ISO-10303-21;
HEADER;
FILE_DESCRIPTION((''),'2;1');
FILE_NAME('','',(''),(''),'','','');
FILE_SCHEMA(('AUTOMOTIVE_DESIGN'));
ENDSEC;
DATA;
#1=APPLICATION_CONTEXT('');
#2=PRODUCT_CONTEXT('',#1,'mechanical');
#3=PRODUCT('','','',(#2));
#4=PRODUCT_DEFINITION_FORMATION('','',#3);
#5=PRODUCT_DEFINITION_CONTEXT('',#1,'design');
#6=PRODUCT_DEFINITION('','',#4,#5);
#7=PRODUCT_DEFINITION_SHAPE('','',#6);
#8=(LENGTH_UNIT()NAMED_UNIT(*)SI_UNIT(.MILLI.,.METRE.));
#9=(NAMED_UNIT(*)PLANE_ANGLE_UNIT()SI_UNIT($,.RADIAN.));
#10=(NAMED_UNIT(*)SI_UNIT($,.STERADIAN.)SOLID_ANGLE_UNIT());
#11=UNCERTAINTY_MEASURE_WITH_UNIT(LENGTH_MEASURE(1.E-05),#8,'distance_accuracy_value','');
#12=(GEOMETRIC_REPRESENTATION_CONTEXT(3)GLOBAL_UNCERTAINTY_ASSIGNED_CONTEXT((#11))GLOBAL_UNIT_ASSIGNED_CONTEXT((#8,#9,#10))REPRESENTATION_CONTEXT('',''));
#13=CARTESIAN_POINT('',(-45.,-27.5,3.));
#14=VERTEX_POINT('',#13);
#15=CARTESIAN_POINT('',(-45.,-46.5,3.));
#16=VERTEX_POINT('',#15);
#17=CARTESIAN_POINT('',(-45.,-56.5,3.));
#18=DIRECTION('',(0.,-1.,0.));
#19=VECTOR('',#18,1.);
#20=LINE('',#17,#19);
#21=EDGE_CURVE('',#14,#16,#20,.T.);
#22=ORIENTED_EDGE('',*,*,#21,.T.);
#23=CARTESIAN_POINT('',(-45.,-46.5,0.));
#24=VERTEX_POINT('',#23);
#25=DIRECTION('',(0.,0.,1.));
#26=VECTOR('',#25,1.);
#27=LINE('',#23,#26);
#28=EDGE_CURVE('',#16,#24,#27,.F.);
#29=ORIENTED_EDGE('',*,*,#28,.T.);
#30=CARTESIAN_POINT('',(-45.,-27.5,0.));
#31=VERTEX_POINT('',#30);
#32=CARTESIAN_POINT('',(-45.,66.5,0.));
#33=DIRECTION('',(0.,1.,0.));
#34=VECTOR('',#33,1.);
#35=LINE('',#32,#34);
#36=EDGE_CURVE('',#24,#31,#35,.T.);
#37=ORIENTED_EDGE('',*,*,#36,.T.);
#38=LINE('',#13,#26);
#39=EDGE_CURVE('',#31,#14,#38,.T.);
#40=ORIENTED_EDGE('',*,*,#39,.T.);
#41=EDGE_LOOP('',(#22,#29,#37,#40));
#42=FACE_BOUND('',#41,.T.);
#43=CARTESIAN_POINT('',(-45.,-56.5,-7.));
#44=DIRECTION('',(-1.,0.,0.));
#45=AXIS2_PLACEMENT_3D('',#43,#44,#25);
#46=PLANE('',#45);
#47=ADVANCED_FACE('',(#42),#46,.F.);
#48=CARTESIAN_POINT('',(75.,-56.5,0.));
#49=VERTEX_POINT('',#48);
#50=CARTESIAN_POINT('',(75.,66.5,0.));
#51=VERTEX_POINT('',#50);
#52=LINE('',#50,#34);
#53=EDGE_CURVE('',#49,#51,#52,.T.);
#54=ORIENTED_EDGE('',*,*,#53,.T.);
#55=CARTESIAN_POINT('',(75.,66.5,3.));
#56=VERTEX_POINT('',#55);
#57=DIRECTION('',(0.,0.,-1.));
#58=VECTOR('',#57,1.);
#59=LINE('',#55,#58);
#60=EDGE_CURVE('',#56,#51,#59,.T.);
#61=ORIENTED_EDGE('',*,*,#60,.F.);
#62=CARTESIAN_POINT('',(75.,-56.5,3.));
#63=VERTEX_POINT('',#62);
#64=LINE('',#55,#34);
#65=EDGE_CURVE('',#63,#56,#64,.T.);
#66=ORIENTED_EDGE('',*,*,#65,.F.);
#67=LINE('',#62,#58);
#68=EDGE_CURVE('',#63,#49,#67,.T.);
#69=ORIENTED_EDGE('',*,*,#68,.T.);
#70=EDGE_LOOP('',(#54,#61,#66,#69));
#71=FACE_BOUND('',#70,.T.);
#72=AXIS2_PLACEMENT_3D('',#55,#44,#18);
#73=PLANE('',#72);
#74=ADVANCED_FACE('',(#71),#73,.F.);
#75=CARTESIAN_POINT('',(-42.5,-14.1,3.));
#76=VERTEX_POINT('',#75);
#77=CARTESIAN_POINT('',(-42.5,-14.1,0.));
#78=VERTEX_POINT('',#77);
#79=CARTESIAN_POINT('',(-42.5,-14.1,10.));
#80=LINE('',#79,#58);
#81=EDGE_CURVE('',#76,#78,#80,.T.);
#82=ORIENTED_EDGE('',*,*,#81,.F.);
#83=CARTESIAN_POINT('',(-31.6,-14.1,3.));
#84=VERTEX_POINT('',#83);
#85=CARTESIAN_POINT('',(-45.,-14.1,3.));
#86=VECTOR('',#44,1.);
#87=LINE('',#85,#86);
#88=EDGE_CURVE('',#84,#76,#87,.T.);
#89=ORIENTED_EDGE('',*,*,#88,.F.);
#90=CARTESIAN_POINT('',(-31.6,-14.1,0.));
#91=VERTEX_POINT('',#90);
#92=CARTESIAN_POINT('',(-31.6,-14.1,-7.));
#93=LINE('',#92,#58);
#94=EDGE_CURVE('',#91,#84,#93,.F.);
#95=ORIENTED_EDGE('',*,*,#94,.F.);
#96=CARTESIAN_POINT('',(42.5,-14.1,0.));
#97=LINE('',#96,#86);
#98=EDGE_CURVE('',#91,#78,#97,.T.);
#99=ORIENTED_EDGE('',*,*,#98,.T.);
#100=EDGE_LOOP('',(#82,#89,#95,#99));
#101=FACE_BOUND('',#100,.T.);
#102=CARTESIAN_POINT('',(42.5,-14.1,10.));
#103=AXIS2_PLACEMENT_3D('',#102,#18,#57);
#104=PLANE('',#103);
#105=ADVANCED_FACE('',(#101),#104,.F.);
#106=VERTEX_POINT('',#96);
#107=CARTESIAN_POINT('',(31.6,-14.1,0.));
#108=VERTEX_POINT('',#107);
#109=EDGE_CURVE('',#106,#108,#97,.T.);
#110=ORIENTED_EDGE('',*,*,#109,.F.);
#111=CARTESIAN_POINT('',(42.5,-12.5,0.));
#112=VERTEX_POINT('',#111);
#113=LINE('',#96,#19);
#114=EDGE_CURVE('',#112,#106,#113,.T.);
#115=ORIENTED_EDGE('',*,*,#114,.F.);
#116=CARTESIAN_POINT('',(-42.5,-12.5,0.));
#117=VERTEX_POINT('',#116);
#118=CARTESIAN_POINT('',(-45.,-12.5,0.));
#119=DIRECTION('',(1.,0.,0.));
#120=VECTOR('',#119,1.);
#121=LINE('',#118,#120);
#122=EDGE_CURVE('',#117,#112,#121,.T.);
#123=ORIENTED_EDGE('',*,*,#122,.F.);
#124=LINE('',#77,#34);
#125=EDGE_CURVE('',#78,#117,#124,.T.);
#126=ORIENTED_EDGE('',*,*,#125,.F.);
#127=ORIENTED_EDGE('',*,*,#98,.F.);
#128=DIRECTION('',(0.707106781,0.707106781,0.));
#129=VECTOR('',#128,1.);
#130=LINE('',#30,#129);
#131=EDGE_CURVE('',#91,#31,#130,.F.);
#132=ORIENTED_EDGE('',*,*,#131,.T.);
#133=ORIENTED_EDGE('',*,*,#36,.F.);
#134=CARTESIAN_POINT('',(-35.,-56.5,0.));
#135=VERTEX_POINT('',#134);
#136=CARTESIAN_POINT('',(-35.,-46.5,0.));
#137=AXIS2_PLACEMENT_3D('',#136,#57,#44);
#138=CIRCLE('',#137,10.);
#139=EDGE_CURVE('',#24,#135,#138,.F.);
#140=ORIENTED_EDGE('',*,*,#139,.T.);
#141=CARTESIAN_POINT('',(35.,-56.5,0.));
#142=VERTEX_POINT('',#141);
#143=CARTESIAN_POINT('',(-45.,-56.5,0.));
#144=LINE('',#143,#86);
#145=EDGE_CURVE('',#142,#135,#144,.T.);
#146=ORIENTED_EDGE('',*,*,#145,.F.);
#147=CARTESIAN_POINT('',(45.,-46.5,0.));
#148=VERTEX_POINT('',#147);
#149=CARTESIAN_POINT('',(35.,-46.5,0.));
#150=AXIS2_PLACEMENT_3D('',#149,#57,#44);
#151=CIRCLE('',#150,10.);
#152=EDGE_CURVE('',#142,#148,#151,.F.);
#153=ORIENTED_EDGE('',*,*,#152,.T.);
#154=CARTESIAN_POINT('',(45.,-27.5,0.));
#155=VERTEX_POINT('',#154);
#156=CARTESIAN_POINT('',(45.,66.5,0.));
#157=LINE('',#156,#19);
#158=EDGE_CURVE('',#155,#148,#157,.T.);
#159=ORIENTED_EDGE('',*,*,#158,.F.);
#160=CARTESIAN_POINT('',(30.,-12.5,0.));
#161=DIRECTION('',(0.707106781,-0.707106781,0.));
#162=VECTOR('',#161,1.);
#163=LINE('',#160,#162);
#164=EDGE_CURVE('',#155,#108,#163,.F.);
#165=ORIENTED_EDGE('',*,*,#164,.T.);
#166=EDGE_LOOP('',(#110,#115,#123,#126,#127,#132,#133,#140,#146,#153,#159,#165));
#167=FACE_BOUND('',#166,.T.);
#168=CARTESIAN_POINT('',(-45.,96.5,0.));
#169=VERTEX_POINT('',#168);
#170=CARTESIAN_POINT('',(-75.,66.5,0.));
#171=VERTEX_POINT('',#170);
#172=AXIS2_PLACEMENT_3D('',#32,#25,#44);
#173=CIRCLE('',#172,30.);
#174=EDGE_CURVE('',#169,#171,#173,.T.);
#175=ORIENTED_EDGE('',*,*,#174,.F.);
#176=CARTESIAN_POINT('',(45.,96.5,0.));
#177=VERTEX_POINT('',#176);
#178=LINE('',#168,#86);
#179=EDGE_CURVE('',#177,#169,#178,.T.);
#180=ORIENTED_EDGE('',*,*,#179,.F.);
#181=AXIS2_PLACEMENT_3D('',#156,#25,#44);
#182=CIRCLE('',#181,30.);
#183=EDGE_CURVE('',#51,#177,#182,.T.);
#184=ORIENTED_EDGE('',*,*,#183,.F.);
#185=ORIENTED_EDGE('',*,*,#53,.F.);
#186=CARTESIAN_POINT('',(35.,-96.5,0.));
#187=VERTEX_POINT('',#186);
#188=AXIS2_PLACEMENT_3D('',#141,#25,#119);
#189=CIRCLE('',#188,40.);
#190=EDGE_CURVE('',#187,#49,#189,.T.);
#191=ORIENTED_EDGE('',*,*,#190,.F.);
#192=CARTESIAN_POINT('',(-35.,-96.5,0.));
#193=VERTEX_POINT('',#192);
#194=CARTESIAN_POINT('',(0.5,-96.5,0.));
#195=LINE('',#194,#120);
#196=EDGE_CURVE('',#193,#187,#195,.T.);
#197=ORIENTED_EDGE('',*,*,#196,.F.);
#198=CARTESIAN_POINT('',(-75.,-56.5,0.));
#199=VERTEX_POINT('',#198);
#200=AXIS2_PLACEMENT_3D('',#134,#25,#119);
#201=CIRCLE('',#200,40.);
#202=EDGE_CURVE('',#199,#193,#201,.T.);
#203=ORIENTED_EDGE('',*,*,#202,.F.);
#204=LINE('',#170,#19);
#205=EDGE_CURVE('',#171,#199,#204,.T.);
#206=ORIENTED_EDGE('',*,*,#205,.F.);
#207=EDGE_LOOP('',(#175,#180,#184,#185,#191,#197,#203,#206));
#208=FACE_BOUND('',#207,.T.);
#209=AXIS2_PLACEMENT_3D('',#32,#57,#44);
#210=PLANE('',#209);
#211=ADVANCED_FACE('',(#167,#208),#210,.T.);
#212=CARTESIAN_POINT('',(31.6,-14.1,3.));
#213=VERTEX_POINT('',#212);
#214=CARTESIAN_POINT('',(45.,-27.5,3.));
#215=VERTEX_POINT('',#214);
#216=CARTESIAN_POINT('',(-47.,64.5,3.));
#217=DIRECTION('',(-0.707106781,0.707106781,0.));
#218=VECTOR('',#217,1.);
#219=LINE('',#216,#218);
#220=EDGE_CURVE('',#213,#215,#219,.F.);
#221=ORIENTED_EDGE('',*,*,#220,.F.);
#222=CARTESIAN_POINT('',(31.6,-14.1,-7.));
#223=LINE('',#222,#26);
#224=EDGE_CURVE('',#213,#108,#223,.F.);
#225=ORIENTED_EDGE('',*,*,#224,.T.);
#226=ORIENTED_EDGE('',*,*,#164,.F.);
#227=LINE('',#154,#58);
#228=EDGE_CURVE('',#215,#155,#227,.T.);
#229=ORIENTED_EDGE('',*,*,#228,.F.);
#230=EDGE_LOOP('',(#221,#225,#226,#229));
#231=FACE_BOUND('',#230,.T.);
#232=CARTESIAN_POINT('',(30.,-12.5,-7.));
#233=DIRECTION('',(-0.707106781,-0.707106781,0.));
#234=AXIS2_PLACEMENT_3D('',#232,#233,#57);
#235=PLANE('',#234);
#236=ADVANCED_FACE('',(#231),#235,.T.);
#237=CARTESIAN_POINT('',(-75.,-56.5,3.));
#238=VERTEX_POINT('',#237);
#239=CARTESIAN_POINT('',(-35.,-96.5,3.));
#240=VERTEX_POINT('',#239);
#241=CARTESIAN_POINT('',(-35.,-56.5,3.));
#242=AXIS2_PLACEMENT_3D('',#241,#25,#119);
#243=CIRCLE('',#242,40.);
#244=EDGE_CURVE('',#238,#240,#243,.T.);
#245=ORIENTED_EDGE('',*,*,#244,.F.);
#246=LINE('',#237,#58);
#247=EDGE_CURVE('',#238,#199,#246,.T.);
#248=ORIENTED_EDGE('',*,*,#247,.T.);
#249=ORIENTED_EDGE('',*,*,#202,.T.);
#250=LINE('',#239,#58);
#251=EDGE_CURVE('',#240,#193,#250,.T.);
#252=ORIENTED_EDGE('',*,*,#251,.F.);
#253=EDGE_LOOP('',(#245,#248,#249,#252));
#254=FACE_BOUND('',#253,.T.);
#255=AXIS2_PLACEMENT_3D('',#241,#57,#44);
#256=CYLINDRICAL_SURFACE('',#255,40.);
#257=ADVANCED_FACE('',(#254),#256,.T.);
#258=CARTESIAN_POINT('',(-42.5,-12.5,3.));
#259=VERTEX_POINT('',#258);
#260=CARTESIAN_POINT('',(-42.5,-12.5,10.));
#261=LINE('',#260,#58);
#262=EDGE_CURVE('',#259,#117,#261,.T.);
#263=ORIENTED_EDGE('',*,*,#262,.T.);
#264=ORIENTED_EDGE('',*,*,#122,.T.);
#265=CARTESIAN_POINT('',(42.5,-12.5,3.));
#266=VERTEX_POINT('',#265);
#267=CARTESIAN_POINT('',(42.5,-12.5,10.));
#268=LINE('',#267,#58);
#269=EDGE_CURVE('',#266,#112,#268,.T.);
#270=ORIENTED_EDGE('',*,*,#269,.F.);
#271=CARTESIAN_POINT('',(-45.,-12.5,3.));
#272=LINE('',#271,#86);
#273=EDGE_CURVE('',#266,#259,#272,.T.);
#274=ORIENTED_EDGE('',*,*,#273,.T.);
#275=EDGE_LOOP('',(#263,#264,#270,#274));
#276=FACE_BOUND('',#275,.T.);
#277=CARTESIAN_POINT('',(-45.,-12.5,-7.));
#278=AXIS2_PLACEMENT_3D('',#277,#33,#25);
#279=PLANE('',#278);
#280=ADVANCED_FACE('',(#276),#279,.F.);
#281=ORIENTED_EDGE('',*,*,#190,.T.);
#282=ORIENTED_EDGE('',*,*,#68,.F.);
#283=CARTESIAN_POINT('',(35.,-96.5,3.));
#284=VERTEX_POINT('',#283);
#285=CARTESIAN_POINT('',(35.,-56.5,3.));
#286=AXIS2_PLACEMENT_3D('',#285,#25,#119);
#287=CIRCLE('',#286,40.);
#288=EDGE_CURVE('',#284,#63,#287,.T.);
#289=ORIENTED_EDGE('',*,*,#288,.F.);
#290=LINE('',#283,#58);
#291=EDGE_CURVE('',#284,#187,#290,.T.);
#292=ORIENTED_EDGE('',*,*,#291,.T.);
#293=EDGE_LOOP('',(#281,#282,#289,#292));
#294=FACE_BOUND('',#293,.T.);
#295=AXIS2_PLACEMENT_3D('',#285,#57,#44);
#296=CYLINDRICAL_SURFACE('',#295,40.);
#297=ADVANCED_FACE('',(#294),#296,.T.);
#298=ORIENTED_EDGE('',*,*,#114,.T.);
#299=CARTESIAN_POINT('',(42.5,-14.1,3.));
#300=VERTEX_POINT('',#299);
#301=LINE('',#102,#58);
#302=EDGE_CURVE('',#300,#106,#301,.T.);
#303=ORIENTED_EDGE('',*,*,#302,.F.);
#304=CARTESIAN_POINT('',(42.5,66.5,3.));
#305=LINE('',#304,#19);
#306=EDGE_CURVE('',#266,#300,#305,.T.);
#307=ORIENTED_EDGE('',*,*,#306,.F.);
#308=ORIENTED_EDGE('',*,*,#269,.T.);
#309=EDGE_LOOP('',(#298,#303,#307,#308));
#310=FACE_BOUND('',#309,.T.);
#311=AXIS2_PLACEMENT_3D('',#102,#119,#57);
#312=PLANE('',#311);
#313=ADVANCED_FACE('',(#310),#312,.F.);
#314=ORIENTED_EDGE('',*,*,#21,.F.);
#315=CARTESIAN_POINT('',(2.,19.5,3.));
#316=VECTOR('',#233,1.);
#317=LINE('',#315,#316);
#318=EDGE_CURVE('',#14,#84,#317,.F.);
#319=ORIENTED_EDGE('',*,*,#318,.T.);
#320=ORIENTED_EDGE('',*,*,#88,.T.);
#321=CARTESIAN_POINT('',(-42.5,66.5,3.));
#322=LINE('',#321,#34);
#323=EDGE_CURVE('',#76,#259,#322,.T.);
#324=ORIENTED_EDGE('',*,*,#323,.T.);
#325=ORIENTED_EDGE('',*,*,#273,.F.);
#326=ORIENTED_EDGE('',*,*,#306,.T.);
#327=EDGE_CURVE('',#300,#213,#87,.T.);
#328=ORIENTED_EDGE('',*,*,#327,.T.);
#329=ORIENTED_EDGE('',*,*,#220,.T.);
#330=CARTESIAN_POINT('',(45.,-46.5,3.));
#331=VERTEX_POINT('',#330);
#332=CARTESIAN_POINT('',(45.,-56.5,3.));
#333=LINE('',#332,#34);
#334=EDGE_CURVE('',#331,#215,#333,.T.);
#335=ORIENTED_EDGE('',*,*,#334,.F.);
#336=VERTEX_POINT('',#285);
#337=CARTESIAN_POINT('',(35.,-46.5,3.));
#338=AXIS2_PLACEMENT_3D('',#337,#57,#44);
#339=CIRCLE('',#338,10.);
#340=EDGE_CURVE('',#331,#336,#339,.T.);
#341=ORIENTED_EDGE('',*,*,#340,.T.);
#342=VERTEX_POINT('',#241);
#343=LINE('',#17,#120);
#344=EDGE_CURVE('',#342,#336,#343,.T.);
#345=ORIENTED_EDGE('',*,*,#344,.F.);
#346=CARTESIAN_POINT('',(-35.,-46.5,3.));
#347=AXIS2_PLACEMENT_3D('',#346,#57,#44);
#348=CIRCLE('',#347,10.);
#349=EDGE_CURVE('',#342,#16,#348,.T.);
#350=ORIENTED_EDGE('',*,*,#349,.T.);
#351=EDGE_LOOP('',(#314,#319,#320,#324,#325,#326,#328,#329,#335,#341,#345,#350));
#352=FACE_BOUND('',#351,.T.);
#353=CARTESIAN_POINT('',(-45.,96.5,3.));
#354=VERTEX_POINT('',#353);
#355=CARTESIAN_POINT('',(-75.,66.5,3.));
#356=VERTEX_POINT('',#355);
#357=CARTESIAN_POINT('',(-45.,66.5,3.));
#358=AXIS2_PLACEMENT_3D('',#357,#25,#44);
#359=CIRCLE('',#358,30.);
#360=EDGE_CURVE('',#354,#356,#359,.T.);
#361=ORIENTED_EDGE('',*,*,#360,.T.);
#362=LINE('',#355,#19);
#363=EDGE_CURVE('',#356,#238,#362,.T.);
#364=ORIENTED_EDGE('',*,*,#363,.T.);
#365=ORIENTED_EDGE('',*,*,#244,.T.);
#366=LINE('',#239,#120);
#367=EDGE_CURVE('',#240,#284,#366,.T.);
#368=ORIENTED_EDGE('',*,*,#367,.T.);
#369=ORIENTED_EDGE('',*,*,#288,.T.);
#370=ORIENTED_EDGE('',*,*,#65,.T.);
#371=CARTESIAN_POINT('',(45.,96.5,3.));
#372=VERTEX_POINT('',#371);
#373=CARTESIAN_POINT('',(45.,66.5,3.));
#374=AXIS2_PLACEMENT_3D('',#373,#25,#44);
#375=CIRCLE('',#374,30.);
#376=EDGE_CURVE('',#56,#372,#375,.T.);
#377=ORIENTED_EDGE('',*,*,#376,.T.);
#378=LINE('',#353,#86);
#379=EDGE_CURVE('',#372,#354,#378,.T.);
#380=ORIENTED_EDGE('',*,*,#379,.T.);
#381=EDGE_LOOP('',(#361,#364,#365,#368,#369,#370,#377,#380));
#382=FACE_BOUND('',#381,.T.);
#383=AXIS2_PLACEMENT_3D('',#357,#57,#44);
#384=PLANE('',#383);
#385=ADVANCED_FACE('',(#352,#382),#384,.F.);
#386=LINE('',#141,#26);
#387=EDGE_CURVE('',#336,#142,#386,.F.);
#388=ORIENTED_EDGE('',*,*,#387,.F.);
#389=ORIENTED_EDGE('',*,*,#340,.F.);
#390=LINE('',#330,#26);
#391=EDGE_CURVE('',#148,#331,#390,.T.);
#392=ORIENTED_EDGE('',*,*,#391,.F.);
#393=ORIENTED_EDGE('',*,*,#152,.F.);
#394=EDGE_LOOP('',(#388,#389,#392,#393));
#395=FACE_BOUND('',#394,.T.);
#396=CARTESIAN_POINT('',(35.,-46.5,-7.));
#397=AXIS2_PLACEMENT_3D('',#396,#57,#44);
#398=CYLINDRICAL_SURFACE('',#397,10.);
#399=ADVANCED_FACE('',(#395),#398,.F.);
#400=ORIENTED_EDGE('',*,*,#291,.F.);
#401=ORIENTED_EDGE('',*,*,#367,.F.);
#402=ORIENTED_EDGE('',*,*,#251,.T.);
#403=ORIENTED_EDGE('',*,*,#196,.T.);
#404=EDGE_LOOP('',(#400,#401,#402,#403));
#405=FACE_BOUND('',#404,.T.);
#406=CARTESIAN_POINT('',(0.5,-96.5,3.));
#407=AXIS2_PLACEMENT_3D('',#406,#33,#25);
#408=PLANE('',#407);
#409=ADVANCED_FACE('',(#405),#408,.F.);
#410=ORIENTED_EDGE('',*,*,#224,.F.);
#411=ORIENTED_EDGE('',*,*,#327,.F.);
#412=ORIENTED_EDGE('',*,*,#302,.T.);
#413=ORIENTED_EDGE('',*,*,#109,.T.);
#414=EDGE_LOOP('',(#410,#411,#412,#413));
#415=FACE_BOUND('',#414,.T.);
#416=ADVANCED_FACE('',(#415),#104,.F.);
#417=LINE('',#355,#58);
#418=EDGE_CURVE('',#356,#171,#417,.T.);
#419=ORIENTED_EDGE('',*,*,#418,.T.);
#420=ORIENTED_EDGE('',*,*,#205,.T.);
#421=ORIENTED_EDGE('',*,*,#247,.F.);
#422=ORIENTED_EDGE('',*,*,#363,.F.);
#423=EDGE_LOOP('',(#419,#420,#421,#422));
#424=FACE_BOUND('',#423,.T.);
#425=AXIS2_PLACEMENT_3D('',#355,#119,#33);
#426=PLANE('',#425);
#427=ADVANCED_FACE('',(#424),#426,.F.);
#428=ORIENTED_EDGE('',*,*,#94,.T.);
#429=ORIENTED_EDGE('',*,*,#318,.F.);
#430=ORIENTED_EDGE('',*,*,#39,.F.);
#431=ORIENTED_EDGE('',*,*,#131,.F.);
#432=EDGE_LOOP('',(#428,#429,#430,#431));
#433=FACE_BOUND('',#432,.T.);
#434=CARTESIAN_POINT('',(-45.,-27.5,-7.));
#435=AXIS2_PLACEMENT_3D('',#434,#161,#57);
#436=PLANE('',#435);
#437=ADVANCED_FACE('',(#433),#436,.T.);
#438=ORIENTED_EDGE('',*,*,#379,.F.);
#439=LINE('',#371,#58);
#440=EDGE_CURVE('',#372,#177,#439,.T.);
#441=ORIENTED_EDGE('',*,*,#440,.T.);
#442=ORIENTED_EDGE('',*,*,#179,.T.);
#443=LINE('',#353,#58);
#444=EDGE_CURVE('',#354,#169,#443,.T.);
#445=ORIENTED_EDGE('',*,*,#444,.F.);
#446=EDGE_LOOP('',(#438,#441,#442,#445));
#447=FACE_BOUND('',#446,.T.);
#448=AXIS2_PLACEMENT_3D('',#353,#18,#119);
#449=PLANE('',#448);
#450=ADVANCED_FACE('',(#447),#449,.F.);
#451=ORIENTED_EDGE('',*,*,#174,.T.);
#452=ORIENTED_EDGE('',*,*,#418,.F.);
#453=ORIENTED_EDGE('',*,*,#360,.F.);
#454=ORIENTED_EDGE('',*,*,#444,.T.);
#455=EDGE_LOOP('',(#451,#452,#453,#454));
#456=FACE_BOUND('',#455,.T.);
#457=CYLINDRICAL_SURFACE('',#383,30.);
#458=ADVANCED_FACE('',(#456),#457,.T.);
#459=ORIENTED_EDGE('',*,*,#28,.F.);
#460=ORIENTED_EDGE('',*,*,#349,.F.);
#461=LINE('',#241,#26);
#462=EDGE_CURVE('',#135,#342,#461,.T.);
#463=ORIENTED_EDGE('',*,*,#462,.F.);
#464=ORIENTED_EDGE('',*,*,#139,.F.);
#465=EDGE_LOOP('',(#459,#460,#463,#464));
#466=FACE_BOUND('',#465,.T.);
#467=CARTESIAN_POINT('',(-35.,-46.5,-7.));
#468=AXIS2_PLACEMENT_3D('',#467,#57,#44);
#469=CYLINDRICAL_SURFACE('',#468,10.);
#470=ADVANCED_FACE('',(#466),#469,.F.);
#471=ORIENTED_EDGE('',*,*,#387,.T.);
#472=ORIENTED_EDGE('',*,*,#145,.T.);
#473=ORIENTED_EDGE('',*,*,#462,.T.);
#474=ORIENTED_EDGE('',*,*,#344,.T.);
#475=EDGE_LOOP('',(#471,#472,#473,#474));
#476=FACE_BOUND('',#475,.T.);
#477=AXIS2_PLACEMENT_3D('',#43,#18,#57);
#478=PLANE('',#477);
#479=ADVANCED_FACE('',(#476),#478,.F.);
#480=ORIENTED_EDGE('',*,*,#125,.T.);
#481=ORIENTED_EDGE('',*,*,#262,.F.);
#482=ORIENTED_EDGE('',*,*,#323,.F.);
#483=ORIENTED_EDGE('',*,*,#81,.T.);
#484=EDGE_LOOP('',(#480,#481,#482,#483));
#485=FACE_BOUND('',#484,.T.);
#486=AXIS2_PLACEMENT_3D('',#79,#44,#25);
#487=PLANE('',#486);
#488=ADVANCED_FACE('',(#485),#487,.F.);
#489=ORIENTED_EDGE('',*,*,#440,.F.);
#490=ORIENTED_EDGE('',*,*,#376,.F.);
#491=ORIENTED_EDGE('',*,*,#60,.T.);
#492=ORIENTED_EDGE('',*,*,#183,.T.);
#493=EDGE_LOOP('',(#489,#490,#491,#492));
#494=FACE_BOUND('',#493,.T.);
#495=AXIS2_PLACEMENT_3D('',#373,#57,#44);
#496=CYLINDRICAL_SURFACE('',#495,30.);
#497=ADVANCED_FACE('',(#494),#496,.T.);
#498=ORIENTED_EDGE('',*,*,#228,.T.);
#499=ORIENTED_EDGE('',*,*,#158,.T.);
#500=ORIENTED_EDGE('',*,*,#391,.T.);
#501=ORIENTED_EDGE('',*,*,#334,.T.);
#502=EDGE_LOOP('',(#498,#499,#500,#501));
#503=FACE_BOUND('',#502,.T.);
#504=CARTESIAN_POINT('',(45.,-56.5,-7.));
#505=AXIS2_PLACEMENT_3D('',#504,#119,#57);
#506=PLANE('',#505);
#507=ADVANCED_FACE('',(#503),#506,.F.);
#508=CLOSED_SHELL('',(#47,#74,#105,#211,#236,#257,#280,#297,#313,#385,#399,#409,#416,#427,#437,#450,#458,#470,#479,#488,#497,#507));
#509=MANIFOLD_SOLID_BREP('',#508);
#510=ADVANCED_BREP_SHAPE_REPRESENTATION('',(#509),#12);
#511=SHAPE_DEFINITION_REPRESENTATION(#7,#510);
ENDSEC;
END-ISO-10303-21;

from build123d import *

# Parameters (mm, degrees)
BOSS_EXTRUDE1_DEPTH = 3
SKETCH2_W           = 90
SKETCH2_H           = 44
CUT_EXTRUDE1_DEPTH  = 10
FILLET1_R           = 10
CHAMFER1_SIZE       = 15
SKETCH3_W           = 85
SKETCH3_H           = 1.6
CUT_EXTRUDE2_DEPTH  = 10


with BuildPart() as part:
    # Sketch1 → Boss-Extrude1 (new body)
    with BuildSketch(Plane.XY):
        with BuildLine():
            Line((-45, 96.5), (45, 96.5))
            ThreePointArc((45, 96.5), (66.213203436, 87.713203436), (75, 66.5))
            Line((75, 66.5), (75, -56.5))
            ThreePointArc((75, -56.5), (63.284271247, -84.784271247), (35, -96.5))
            Line((35, -96.5), (0.5, -96.5))
            Line((0.5, -96.5), (-0.5, -96.5))
            Line((-0.5, -96.5), (-35, -96.5))
            ThreePointArc((-35, -96.5), (-63.284271247, -84.784271247), (-75, -56.5))
            Line((-75, -56.5), (-75, 66.5))
            ThreePointArc((-75, 66.5), (-66.213203436, 87.713203436), (-45, 96.5))
        make_face()
    extrude(amount=BOSS_EXTRUDE1_DEPTH)

    # Sketch2 → Cut-Extrude1 (cut)
    with BuildSketch(Plane.XY.offset(3)):
        with Locations((0, -34.5)):
            Rectangle(SKETCH2_W, SKETCH2_H)
    extrude(amount=-CUT_EXTRUDE1_DEPTH, mode=Mode.SUBTRACT)

    # Fillet1
    fillet1_edges = [part.edges().sort_by_distance(p)[0] for p in [
        (45, -56.5, 1.5),
        (-45, -56.5, 1.5),
    ]]
    fillet(fillet1_edges, radius=FILLET1_R)

    # Chamfer1
    chamfer1_edges = [part.edges().sort_by_distance(p)[0] for p in [
        (45, -12.5, 1.5),
        (-45, -12.5, 1.5),
    ]]
    chamfer(chamfer1_edges, length=CHAMFER1_SIZE)

    # Sketch3 → Cut-Extrude2 (cut)
    with BuildSketch(Plane(origin=(0, 0, 0), x_dir=(-1, 0, 0), z_dir=(0, 0, -1))):
        with Locations((0, -13.3)):
            Rectangle(SKETCH3_W, SKETCH3_H)
    extrude(amount=-CUT_EXTRUDE2_DEPTH, mode=Mode.SUBTRACT)


solid = part.part
